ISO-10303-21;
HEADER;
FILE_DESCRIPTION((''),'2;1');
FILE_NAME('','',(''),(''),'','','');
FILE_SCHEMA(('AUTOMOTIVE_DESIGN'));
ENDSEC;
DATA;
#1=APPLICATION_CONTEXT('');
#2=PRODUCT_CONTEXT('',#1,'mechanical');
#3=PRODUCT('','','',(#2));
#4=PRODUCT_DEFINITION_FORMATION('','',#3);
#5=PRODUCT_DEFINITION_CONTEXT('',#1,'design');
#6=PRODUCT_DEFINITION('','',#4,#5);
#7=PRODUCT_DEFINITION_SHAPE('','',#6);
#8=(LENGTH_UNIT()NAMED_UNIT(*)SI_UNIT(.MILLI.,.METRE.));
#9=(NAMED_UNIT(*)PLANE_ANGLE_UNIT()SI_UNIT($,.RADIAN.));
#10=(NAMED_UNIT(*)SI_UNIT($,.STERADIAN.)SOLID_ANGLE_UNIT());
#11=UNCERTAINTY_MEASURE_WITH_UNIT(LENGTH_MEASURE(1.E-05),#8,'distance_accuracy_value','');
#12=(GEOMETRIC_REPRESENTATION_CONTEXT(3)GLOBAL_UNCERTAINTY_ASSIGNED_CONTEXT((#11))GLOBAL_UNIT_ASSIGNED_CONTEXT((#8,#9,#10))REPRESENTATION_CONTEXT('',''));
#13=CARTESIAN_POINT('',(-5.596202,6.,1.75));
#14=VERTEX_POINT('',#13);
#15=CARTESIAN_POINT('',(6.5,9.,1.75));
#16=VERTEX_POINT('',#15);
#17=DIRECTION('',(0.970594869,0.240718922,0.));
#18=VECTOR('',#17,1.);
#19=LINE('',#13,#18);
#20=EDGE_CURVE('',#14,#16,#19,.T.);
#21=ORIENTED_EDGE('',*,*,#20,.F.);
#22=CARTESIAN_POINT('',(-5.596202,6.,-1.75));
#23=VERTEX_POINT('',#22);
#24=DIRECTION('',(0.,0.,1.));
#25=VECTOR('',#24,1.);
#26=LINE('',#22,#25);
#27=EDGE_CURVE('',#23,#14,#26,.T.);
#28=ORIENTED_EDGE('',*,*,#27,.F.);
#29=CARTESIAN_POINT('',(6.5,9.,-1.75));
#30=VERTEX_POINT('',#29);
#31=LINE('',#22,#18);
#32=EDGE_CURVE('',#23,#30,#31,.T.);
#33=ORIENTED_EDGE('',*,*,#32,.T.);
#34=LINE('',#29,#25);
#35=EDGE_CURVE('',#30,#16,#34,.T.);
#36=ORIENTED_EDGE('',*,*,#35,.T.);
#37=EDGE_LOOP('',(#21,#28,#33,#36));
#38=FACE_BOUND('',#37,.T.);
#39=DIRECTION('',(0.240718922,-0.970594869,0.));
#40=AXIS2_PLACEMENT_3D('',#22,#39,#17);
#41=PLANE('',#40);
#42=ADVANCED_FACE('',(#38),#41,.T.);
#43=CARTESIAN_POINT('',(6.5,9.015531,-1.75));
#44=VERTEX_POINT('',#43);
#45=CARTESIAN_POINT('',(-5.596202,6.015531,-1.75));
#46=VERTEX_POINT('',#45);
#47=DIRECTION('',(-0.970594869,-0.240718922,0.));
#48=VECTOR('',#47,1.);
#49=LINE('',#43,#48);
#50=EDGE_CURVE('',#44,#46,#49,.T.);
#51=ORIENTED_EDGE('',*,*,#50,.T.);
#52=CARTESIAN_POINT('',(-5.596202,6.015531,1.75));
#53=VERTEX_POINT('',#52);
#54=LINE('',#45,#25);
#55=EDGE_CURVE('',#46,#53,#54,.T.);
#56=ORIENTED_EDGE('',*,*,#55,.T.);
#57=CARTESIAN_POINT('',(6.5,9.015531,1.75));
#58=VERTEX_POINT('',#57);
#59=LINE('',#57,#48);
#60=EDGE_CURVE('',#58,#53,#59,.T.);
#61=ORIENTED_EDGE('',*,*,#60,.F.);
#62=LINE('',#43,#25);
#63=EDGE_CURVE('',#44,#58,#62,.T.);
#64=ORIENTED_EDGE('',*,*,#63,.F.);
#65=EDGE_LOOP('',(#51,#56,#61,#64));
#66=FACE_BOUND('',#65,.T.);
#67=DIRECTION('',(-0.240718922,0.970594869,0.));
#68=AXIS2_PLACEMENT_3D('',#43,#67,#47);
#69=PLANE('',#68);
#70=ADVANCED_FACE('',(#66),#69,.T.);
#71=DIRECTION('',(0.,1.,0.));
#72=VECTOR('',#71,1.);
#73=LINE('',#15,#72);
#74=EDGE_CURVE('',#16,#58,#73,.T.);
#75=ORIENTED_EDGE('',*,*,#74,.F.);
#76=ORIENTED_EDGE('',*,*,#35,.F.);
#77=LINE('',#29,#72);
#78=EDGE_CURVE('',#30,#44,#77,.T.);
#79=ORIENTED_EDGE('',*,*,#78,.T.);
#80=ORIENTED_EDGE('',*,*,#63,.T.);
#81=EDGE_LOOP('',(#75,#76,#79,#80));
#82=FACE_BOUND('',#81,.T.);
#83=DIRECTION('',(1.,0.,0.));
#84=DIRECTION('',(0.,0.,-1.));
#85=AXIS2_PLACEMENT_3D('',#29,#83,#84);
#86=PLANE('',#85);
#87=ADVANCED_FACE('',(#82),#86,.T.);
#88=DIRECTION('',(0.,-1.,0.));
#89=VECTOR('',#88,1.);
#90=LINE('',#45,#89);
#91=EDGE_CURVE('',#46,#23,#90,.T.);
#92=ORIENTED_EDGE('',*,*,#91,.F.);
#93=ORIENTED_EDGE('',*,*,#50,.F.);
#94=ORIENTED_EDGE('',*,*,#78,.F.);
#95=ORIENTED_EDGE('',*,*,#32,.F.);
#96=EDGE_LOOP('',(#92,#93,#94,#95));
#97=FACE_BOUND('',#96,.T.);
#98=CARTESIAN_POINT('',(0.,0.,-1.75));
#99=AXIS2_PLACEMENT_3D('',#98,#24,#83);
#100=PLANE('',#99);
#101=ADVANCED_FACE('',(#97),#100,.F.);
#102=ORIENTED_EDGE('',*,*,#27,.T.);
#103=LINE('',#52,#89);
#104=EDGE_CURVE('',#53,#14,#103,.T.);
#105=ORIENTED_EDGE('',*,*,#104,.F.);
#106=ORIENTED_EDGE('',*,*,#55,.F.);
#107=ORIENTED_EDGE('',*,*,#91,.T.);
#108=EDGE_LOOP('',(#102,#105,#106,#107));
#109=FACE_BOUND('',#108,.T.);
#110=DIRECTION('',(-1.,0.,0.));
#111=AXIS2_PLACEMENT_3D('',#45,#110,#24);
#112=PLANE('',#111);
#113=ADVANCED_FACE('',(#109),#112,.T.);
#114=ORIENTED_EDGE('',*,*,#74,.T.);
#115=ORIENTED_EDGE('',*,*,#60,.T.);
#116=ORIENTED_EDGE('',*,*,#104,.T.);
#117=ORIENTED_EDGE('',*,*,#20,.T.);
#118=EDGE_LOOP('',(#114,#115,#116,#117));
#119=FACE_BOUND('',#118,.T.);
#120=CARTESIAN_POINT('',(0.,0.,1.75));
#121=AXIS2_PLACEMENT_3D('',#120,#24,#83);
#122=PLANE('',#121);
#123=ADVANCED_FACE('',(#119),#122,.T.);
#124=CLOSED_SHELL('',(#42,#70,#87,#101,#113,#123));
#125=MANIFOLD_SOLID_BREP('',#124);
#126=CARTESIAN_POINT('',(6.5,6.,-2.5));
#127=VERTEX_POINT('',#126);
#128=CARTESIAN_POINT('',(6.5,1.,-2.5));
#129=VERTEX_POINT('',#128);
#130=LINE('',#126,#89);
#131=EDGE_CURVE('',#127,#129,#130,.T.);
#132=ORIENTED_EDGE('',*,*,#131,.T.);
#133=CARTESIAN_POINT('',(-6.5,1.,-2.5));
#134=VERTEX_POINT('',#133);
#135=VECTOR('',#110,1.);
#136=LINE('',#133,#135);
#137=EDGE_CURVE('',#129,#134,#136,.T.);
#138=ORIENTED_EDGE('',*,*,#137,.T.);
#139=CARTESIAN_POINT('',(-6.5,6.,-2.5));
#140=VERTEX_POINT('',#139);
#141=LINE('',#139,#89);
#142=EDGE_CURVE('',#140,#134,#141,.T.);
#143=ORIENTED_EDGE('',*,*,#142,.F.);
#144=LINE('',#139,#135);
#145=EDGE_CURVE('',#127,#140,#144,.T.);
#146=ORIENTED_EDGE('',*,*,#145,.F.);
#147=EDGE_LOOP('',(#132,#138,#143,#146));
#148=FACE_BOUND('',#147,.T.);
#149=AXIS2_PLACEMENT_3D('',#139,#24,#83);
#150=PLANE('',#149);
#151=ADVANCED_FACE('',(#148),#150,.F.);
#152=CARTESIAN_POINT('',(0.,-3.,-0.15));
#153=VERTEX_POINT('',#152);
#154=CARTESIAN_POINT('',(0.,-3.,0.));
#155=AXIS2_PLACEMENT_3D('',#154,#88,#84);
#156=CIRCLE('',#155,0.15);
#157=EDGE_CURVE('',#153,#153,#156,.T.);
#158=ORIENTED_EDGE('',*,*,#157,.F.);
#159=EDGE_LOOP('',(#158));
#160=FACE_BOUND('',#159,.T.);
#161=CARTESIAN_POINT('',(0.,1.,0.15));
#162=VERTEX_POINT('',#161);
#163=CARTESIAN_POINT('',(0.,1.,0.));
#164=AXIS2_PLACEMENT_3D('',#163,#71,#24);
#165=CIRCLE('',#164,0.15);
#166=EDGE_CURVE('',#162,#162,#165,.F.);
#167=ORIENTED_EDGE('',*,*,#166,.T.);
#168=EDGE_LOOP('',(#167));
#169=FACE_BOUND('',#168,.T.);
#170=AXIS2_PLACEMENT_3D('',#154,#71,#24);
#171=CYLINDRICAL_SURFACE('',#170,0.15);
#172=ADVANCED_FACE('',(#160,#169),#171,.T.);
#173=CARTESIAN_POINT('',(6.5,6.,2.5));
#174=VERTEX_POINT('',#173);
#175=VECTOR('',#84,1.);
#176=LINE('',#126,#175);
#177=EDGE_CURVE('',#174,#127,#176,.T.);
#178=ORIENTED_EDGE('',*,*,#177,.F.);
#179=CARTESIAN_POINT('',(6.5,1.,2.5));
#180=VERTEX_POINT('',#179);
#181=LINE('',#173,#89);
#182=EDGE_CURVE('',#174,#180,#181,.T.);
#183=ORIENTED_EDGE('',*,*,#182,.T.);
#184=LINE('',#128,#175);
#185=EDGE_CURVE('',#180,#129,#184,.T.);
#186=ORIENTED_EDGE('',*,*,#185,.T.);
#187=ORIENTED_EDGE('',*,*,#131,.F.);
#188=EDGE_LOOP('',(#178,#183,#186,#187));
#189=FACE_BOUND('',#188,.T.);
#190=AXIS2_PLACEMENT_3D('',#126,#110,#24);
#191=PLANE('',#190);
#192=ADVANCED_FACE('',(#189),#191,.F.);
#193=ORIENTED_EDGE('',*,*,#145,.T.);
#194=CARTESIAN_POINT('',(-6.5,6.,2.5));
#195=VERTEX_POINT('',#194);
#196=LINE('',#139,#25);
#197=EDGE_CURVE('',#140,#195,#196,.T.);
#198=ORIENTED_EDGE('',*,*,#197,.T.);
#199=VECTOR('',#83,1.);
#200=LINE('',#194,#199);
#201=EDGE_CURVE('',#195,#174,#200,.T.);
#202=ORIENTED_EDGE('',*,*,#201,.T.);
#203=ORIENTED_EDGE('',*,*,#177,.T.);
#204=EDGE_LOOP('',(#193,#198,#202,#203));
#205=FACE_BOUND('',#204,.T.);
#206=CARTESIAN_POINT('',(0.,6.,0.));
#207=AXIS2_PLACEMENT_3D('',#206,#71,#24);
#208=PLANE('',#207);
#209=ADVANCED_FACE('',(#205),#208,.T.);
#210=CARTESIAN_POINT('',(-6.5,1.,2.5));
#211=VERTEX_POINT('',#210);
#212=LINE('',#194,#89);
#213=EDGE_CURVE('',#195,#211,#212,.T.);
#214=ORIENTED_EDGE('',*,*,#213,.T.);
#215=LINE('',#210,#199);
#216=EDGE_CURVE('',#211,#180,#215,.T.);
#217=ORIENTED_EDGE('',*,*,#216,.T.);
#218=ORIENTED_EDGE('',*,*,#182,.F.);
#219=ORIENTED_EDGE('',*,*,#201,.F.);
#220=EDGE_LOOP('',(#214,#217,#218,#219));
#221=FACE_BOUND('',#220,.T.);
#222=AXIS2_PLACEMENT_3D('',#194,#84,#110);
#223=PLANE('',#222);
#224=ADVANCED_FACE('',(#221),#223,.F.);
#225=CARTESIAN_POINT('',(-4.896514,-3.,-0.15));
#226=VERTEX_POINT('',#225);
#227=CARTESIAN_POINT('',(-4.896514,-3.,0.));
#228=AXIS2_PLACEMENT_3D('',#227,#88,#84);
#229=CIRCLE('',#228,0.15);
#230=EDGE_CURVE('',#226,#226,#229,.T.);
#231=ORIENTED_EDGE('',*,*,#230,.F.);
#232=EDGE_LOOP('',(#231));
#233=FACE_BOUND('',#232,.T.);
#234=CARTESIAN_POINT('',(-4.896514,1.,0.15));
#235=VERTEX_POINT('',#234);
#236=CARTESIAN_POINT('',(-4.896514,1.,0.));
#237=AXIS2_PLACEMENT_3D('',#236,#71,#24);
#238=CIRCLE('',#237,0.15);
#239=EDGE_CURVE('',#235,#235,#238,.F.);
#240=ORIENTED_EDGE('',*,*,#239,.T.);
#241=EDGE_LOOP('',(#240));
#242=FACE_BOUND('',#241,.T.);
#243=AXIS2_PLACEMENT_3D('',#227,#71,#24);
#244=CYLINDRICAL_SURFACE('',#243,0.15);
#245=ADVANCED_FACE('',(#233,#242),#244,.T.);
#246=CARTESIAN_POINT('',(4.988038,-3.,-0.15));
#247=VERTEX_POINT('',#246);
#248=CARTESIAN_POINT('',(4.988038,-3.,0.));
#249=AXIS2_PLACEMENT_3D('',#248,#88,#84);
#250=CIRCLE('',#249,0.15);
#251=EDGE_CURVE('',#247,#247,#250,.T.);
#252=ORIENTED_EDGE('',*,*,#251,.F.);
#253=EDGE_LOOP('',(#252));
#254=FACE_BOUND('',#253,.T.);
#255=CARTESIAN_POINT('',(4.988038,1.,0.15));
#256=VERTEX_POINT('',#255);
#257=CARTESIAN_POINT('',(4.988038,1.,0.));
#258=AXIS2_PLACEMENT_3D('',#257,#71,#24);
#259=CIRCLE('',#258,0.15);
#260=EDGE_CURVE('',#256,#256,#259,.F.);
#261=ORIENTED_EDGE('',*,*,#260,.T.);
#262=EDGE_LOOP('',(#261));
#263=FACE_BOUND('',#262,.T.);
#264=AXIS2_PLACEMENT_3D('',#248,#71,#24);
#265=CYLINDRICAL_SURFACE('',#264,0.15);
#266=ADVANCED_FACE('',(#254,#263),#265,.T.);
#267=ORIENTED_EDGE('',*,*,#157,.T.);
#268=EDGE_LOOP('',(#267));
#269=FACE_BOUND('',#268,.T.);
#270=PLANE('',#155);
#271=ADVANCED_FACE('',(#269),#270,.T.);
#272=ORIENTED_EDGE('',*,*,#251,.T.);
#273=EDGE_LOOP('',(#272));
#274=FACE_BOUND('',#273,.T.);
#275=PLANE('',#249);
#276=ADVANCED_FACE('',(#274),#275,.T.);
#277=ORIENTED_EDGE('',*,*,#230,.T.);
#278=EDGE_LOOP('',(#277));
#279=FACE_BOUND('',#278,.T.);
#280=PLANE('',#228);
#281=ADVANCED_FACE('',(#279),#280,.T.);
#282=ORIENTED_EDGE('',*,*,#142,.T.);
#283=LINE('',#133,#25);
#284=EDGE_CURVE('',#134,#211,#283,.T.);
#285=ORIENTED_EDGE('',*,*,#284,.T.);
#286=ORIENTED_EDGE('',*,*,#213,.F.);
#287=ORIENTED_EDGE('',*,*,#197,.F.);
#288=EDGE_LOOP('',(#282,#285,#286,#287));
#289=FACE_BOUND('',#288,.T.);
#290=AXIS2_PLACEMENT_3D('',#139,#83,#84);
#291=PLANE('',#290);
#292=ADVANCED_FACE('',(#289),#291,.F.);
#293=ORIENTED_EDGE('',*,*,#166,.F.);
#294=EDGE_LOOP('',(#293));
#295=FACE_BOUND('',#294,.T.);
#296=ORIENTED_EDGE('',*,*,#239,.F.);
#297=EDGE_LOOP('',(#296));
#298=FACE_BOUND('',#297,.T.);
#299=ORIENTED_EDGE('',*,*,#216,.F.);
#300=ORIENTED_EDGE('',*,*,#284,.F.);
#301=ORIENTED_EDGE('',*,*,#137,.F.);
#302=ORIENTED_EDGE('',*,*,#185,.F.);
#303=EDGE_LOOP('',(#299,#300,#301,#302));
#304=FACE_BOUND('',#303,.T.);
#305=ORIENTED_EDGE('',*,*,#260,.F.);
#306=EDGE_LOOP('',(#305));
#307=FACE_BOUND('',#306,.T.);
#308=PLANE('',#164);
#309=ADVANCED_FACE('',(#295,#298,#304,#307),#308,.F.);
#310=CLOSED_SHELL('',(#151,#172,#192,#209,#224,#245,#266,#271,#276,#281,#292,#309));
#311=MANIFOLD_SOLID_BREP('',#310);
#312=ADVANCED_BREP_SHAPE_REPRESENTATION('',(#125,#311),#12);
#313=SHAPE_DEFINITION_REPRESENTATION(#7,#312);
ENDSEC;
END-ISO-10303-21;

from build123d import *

# Parameters (mm, degrees)
SALIENTE_EXTRUIR1_START = 1
CROQUIS1_W              = 13
CROQUIS1_H              = 5
SALIENTE_EXTRUIR1_DEPTH = 5
CROQUIS2_R              = 0.15
SALIENTE_EXTRUIR2_DEPTH = 4
SALIENTE_EXTRUIR3_START = -0.75
SALIENTE_EXTRUIR3_DEPTH = 3.5


with BuildPart() as part:
    # Croquis1 → Saliente-Extruir1 (new body)
    with BuildSketch(Plane(origin=(0, 0, 0), x_dir=(1, 0, 0), z_dir=(0, 1, 0)).offset(SALIENTE_EXTRUIR1_START)):
        Rectangle(CROQUIS1_W, CROQUIS1_H)
    extrude(amount=SALIENTE_EXTRUIR1_DEPTH)

    # Croquis2 → Saliente-Extruir2 (add)
    with BuildSketch(Plane.XZ.offset(-1)):
        Circle(CROQUIS2_R)
        with Locations((-4.896514092, 0)):
            Circle(CROQUIS2_R)
        with Locations((4.98803772, 0)):
            Circle(CROQUIS2_R)
    extrude(amount=SALIENTE_EXTRUIR2_DEPTH)


with BuildPart() as body_2:
    # Croquis3 → Saliente-Extruir3 (new body)
    with BuildSketch(Plane.XY.offset(2.5).offset(SALIENTE_EXTRUIR3_START)):
        Polygon((-5.596201579, 6), (6.5, 9), (6.5, 9.015531113), (-5.596201579, 6.015531113), align=None)
    extrude(amount=-SALIENTE_EXTRUIR3_DEPTH)


solid = Compound([part.part, body_2.part])
